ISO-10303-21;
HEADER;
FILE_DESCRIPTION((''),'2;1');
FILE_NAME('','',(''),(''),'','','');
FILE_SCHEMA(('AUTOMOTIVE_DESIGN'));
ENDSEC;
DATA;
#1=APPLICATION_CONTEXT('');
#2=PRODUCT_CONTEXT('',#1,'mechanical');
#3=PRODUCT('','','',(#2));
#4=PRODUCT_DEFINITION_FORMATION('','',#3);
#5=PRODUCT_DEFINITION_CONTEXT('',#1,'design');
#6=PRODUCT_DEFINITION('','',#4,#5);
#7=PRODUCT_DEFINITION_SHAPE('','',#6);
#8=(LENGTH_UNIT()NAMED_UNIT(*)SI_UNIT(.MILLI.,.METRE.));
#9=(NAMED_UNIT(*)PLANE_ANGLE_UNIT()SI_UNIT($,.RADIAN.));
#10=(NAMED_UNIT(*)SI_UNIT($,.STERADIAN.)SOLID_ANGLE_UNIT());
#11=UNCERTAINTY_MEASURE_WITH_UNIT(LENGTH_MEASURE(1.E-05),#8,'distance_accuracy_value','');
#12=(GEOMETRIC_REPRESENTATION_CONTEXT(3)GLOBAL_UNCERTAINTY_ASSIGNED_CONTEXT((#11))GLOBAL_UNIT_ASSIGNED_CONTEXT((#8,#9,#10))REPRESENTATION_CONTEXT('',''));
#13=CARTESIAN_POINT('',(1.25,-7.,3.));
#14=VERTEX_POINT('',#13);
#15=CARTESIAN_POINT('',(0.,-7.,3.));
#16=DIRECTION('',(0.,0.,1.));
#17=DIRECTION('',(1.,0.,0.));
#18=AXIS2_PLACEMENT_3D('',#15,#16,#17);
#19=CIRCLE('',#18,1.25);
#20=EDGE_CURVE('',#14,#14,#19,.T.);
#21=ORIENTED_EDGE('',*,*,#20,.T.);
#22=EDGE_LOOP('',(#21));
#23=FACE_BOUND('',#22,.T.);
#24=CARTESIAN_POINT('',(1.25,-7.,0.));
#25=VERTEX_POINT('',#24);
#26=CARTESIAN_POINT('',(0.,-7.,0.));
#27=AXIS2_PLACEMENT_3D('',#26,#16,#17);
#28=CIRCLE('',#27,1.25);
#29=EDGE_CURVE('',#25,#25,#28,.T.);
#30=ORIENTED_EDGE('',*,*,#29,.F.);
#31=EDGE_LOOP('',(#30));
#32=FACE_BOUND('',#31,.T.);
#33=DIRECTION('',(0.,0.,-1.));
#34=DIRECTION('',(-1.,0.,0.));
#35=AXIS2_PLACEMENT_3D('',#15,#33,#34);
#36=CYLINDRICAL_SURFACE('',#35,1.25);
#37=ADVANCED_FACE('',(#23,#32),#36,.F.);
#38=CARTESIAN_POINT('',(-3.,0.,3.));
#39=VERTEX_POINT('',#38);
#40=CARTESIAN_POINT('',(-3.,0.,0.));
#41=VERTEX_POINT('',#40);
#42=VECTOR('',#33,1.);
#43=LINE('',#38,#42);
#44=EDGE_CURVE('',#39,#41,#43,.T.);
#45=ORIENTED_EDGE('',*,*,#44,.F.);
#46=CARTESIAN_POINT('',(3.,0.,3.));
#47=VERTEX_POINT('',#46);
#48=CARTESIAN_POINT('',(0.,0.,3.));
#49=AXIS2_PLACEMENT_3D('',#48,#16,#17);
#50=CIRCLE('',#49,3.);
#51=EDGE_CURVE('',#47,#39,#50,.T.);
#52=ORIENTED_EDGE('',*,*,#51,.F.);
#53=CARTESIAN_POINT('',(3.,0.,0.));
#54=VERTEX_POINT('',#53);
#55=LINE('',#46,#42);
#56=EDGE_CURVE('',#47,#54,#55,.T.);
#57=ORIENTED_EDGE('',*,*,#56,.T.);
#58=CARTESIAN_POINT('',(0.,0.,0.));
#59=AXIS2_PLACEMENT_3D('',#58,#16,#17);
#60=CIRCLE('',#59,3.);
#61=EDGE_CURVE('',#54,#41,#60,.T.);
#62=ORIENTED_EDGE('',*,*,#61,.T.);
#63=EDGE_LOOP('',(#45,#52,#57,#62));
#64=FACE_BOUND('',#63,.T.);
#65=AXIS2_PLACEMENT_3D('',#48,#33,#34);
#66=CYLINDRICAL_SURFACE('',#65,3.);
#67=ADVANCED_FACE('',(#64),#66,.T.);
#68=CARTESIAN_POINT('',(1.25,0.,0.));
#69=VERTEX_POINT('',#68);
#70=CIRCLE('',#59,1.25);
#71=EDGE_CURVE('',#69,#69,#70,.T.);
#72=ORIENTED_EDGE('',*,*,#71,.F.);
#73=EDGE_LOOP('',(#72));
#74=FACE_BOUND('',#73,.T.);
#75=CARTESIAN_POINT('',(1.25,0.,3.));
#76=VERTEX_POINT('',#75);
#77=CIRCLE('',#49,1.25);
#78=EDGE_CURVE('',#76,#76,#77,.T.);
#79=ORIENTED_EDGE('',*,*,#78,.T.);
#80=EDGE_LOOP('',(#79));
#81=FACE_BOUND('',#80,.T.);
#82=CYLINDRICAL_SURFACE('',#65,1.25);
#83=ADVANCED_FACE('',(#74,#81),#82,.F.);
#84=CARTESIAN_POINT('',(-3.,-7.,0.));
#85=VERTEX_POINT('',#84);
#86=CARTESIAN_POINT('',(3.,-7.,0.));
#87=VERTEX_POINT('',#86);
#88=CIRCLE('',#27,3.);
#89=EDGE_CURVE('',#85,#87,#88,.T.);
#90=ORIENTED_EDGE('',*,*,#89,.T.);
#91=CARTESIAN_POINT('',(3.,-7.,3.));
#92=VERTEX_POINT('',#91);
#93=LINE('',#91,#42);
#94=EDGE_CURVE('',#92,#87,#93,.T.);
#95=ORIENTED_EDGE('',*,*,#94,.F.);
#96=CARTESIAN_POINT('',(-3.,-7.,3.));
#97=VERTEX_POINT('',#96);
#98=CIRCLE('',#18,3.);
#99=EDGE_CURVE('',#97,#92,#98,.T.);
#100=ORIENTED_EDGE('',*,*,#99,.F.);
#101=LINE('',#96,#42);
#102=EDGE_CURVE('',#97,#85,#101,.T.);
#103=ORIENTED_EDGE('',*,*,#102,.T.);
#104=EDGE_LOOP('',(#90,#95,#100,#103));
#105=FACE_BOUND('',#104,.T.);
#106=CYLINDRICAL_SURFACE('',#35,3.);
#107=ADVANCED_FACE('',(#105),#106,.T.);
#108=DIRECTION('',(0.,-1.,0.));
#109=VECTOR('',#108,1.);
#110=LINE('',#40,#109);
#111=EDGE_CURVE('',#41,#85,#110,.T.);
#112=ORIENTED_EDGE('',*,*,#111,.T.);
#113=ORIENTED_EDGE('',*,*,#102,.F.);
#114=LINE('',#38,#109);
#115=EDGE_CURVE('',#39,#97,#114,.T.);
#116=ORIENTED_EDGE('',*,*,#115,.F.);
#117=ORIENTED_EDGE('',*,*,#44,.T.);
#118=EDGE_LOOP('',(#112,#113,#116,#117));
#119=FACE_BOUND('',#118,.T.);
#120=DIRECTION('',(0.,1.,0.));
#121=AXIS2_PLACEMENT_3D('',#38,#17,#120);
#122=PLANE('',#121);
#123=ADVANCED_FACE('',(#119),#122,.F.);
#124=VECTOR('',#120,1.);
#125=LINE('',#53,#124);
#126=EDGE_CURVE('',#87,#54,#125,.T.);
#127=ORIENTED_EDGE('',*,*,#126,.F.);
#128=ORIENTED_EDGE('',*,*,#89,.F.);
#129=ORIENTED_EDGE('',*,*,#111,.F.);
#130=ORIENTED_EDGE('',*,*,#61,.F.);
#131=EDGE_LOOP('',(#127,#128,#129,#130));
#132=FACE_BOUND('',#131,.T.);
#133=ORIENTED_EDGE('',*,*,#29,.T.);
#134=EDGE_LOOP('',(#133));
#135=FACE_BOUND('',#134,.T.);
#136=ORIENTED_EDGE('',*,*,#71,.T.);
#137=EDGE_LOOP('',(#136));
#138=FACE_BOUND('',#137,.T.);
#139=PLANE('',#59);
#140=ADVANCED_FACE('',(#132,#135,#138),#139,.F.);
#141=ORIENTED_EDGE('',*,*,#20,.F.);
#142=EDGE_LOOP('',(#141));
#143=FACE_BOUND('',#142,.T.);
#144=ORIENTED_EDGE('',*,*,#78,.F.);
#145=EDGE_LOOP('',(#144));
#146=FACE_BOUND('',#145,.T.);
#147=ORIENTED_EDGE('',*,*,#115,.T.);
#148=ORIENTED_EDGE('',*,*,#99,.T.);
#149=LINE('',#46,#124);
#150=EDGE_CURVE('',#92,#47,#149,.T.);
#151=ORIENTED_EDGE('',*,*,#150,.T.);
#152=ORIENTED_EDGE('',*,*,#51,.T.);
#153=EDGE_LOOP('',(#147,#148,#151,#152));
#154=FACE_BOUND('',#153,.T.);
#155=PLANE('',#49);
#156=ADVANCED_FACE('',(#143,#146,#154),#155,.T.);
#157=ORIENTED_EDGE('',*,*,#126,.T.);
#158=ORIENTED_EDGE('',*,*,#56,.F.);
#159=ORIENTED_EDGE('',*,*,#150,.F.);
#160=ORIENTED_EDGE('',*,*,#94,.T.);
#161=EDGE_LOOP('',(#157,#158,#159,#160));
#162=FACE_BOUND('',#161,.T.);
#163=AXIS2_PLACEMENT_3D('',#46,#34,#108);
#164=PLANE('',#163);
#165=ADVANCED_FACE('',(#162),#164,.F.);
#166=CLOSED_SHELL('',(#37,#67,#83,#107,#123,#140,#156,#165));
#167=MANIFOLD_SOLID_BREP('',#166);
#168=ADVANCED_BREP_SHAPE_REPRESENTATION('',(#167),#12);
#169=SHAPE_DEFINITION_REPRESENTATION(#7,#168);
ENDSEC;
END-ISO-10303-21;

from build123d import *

# Parameters (mm, degrees)
SKETCH1_R           = 1.25
BOSS_EXTRUDE1_DEPTH = 3


with BuildPart() as part:
    # Sketch1 → Boss-Extrude1 (new body)
    with BuildSketch(Plane.XY):
        with BuildLine():
            Line((-3, 0), (-3, -7))
            ThreePointArc((-3, -7), (0, -10), (3, -7))
            Line((3, -7), (3, 0))
            ThreePointArc((3, 0), (0, 3), (-3, 0))
        make_face()
        Circle(SKETCH1_R, mode=Mode.SUBTRACT)
        with Locations((0, -7)):
            Circle(SKETCH1_R, mode=Mode.SUBTRACT)
    extrude(amount=BOSS_EXTRUDE1_DEPTH)


solid = part.part
